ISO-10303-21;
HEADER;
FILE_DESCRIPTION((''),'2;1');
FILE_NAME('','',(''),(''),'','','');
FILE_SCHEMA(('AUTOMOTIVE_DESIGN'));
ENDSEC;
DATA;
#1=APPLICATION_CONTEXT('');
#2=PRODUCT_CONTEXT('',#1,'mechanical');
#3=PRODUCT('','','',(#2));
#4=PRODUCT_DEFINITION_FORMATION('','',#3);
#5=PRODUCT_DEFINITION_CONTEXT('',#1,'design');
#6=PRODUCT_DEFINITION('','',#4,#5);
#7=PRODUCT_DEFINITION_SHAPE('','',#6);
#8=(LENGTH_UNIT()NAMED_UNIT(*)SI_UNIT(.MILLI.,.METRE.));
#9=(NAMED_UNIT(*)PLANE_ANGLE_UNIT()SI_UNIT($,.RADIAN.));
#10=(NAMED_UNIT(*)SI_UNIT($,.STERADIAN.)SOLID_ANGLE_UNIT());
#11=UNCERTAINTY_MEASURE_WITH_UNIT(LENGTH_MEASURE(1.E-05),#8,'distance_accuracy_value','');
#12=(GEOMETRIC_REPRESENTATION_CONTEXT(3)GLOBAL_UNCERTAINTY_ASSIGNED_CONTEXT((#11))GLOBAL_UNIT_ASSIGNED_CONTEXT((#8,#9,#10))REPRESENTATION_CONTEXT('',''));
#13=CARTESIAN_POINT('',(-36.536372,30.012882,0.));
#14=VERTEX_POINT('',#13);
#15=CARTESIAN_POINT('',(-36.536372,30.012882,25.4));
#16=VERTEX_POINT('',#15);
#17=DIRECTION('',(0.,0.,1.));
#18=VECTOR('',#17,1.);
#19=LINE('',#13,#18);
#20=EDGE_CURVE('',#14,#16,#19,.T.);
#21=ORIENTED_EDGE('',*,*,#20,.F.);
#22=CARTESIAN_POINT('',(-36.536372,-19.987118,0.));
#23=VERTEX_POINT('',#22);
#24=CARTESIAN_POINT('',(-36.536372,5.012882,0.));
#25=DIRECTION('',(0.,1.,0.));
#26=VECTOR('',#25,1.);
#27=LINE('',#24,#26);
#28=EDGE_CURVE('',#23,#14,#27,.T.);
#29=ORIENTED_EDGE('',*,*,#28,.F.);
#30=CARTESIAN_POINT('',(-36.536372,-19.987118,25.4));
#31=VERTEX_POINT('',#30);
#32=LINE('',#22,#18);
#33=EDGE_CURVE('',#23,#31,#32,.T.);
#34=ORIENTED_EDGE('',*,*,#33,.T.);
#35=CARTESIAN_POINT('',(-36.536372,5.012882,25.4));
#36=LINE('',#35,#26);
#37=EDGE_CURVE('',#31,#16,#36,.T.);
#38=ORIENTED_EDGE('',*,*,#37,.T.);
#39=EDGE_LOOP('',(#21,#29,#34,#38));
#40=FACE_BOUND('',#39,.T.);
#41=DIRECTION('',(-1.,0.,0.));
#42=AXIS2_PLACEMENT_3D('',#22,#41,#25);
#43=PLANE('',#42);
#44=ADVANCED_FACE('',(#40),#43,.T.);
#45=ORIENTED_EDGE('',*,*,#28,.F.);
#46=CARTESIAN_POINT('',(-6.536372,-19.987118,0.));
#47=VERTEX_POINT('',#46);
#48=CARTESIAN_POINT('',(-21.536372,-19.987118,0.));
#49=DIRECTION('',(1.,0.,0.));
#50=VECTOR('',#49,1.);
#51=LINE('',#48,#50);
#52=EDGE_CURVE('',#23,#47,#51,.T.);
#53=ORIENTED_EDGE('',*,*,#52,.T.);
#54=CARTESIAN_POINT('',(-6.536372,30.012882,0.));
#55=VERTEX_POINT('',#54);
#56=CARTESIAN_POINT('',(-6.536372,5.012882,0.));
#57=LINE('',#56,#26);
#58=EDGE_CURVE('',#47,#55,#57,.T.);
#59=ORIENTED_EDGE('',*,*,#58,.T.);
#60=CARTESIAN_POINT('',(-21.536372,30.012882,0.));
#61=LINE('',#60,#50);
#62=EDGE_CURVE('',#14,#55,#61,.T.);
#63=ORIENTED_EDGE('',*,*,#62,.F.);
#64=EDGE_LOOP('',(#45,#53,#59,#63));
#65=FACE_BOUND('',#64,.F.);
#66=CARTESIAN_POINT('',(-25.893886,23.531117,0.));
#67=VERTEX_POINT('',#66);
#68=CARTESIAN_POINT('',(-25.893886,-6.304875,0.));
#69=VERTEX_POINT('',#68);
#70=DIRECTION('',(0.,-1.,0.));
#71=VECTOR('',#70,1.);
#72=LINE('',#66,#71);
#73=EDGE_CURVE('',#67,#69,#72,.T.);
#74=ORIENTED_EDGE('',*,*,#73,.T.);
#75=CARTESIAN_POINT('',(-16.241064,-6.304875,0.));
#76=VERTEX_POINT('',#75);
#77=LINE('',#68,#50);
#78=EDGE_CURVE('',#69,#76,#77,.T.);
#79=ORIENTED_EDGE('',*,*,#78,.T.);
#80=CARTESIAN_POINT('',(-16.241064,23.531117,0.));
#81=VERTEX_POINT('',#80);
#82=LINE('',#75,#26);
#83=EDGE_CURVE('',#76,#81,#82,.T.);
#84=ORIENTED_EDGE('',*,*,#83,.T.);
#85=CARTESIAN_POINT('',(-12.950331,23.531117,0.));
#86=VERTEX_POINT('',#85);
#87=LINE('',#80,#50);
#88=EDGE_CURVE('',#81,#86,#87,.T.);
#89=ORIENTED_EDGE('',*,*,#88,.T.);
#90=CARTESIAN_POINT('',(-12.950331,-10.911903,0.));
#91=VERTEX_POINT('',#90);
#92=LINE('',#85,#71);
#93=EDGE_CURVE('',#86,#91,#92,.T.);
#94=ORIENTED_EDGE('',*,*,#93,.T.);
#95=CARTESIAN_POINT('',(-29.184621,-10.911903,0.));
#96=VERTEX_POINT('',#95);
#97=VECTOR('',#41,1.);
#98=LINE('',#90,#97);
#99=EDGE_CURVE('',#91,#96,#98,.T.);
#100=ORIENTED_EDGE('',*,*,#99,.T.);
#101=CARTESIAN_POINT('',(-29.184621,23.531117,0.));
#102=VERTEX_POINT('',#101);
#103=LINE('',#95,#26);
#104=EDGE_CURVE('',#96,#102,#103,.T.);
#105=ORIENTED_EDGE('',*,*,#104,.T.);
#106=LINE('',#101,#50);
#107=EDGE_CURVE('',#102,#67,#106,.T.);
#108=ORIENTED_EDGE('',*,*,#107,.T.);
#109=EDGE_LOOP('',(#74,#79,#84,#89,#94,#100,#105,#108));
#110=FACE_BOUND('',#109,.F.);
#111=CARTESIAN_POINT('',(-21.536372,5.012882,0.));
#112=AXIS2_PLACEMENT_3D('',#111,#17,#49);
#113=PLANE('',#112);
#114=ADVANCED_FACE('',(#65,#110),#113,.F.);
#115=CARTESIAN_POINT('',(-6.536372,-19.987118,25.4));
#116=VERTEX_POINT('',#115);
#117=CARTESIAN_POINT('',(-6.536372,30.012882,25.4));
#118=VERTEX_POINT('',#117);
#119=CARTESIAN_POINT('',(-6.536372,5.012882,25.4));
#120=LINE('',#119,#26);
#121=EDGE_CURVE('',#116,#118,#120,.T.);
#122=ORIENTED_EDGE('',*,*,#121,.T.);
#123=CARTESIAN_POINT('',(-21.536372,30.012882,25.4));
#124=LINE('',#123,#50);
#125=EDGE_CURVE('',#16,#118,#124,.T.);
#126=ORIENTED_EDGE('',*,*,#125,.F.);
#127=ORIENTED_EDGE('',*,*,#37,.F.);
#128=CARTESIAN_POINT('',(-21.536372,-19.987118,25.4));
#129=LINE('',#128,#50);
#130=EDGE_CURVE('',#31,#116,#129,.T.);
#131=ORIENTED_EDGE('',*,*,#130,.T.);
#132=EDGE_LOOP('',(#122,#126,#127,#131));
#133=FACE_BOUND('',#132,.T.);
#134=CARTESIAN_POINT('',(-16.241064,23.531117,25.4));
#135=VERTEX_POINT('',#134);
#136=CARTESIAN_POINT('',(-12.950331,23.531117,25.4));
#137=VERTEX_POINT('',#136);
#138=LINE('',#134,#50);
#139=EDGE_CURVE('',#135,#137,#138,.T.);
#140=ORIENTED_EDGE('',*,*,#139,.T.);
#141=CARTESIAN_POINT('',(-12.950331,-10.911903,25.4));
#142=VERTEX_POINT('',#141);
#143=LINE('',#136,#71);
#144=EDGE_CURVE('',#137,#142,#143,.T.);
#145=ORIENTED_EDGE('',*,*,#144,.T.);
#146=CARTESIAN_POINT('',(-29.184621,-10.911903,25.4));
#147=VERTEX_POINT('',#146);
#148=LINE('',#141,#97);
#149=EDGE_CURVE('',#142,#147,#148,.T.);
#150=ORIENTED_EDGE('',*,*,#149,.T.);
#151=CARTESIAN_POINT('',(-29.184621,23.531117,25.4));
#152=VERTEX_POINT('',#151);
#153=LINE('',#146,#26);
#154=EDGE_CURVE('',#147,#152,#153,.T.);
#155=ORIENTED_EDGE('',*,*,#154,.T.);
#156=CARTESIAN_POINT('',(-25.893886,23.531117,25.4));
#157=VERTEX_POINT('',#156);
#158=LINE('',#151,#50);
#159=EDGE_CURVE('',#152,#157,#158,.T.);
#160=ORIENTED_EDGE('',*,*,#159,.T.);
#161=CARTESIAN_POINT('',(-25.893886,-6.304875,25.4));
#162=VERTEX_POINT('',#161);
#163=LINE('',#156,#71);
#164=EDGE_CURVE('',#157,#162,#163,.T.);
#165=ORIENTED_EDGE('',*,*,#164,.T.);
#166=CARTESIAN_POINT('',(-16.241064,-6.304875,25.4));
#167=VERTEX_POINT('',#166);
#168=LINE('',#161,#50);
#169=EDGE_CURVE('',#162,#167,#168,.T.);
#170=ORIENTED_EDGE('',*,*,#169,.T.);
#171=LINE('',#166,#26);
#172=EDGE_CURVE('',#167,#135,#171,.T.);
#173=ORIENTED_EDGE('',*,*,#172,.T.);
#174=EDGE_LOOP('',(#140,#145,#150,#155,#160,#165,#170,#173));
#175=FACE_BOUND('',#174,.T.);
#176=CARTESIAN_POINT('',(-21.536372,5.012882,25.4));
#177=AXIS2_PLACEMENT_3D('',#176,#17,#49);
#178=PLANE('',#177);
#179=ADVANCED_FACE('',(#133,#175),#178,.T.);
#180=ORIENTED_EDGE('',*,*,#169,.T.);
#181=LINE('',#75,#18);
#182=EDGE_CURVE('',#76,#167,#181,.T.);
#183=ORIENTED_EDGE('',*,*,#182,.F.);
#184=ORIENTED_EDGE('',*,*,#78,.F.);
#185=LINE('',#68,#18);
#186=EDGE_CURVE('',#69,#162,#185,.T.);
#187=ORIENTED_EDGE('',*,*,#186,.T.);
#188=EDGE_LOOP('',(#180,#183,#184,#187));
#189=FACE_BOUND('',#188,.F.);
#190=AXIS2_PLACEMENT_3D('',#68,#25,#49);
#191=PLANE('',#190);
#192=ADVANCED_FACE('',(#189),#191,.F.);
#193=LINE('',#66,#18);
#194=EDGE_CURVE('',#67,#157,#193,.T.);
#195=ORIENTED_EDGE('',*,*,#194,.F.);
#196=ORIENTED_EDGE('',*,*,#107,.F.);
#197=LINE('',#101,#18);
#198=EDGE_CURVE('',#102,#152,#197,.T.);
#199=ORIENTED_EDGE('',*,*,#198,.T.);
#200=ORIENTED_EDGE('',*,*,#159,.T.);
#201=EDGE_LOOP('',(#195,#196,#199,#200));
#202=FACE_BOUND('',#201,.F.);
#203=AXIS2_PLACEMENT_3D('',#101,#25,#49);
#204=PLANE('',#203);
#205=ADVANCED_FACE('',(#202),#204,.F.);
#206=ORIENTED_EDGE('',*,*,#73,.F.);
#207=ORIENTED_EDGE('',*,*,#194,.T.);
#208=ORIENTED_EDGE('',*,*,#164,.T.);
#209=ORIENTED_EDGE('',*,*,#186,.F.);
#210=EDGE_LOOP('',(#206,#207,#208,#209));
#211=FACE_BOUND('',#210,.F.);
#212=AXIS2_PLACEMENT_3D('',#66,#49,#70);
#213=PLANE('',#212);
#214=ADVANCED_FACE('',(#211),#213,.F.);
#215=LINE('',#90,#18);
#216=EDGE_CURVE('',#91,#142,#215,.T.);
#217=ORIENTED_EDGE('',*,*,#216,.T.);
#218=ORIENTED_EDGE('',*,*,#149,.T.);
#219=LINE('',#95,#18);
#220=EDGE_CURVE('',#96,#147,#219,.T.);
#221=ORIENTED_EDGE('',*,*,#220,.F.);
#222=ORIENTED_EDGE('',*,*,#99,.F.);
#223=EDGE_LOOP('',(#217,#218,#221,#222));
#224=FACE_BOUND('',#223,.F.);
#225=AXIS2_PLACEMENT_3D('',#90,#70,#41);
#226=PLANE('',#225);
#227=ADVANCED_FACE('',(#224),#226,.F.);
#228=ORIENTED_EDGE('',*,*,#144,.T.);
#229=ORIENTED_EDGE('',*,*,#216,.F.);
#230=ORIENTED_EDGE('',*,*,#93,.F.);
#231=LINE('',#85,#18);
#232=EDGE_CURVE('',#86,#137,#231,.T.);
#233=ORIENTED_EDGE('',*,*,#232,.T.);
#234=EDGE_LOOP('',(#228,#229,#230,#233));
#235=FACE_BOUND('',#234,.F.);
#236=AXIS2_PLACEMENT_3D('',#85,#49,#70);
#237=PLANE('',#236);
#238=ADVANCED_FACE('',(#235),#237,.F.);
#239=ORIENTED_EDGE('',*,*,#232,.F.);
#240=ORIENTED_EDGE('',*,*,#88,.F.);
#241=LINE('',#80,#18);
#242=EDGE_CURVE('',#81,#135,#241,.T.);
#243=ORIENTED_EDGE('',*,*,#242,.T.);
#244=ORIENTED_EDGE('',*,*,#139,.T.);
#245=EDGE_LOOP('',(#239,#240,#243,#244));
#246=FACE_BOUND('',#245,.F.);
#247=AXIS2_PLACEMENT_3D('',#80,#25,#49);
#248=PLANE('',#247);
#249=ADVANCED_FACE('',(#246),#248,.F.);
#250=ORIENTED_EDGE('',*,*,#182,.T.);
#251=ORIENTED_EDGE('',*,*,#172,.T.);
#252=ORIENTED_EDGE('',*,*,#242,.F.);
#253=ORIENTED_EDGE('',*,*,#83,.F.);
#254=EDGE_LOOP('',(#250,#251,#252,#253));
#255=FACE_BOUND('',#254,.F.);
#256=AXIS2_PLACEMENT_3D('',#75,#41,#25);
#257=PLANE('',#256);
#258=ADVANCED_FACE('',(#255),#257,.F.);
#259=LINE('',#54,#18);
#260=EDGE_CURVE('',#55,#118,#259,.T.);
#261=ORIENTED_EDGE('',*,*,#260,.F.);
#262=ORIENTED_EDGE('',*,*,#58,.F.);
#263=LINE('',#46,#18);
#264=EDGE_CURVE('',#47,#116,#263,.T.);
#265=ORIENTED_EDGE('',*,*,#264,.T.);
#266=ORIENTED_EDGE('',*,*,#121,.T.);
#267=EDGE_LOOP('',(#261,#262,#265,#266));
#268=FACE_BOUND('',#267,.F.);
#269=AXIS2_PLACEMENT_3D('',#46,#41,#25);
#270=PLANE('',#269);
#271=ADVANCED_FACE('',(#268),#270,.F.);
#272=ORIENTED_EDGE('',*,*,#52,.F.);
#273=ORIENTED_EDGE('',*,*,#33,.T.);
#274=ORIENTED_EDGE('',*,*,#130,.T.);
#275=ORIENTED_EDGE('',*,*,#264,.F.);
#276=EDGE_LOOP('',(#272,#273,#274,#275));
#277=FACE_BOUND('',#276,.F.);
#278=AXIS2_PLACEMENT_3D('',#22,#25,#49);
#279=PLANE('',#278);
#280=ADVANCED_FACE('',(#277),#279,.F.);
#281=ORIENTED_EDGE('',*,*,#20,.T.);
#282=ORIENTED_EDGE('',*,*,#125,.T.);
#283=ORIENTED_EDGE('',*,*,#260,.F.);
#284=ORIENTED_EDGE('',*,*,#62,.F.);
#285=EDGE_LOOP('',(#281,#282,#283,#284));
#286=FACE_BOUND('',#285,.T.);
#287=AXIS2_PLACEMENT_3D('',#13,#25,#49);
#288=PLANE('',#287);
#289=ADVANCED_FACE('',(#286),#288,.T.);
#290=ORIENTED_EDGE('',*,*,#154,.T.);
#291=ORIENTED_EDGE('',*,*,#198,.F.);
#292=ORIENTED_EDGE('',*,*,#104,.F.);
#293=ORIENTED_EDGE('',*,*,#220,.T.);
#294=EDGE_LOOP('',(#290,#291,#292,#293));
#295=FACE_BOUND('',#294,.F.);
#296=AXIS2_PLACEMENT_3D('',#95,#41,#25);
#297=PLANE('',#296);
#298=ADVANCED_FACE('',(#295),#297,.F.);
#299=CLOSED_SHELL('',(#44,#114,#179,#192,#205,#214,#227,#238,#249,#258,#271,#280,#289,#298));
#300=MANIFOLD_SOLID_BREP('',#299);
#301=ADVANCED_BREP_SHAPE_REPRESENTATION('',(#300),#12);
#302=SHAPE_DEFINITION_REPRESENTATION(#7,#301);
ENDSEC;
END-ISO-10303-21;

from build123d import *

# Parameters (mm, degrees)
F0_W     = 30
F0_H     = 50
F1_DEPTH = 25.4


with BuildPart() as f1:
    # F0 (on Top) → F1 (new body)
    with BuildSketch(Plane.XY):
        with Locations((-21.536372, 5.012882)):
            Rectangle(F0_W, F0_H)
        Polygon((-29.184621, -10.911903), (-29.184621, 23.531117), (-25.893886, 23.531117), (-25.893886, -6.304875), (-16.241064, -6.304875), (-16.241064, 23.531117), (-12.950331, 23.531117), (-12.950331, -10.911903), align=None, mode=Mode.SUBTRACT)
    extrude(amount=F1_DEPTH)


solid = f1.part
